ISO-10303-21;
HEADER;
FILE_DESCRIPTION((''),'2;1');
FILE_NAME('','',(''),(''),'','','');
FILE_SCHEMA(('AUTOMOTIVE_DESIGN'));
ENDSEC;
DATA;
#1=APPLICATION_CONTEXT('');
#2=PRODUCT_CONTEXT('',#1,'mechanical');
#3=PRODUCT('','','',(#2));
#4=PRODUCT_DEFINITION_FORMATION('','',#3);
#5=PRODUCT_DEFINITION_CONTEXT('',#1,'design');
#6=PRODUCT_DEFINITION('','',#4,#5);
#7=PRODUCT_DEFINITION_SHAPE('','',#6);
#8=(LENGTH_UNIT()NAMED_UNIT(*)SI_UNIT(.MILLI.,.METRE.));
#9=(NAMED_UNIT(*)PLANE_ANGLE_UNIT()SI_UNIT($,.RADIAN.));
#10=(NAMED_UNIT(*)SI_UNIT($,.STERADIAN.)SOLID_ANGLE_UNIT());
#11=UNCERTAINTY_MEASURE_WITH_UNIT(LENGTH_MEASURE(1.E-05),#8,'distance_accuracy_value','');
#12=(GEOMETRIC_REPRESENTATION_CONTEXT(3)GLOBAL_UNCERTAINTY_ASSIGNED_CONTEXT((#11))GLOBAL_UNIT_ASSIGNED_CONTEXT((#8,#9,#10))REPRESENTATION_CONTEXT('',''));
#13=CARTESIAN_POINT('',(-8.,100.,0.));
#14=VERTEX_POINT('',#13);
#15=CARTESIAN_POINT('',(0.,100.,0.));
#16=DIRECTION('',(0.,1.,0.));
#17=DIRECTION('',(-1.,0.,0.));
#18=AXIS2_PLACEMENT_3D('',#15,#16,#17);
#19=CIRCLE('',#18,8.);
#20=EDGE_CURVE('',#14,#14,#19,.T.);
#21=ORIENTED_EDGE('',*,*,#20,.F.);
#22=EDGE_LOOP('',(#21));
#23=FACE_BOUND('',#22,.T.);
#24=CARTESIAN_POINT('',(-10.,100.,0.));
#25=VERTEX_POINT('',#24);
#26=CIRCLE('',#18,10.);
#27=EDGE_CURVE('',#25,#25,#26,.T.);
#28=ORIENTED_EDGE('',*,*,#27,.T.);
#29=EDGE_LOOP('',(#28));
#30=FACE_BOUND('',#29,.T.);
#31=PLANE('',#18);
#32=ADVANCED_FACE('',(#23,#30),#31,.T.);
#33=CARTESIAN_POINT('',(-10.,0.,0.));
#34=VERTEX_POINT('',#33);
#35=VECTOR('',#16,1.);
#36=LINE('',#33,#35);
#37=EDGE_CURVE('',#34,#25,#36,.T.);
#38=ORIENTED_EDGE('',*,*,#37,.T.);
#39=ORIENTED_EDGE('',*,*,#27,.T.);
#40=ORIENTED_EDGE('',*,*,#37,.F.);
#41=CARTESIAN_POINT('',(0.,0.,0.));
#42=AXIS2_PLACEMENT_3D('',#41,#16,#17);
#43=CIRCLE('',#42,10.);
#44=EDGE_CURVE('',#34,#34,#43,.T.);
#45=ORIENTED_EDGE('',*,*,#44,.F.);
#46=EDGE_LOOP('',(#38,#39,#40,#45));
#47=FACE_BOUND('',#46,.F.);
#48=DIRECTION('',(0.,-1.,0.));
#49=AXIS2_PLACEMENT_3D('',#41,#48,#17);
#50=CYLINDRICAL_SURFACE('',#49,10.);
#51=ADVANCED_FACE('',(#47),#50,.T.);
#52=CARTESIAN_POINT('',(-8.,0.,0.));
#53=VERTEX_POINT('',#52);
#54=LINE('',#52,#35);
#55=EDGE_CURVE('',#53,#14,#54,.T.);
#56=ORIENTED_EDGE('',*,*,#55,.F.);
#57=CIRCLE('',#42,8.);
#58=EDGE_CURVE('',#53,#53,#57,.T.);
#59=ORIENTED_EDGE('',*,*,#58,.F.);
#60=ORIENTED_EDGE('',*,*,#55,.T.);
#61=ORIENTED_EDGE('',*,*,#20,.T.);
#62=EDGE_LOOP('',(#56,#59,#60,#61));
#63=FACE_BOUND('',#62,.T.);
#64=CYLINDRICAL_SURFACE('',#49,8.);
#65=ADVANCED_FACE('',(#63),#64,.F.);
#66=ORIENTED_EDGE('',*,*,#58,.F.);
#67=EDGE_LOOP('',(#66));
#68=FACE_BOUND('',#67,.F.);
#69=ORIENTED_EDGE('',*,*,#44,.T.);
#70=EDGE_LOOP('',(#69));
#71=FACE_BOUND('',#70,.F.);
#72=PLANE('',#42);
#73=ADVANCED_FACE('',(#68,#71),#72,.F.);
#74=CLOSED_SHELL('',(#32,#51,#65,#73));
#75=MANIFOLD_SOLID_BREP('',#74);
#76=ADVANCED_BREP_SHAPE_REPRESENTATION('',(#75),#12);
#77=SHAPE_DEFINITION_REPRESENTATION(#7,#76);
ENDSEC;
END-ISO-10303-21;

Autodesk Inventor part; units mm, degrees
ref_plane "YZ Plane" through (0, 0, 0) normal (1, 0, 0) x (0, 1, 0)
ref_plane "XZ Plane" through (0, 0, 0) normal (0, 1, 0) x (-1, 0, 0)
ref_plane "XY Plane" through (0, 0, 0) normal (0, 0, 1) x (1, 0, 0)
sketch "Sketch1" plane through (0, 0, 0) normal (0, 1, 0) x (-1, 0, 0)
  circle A0 centre (0, 0) radius 10
  circle A1 centre (0, 0) radius 8
  dimension "d0" = 20
  dimension "d1" = 2
extrude "Extrusion1" add sketch "Sketch1" along normal blind 100
properties part number "carbon_finber_20_1"
